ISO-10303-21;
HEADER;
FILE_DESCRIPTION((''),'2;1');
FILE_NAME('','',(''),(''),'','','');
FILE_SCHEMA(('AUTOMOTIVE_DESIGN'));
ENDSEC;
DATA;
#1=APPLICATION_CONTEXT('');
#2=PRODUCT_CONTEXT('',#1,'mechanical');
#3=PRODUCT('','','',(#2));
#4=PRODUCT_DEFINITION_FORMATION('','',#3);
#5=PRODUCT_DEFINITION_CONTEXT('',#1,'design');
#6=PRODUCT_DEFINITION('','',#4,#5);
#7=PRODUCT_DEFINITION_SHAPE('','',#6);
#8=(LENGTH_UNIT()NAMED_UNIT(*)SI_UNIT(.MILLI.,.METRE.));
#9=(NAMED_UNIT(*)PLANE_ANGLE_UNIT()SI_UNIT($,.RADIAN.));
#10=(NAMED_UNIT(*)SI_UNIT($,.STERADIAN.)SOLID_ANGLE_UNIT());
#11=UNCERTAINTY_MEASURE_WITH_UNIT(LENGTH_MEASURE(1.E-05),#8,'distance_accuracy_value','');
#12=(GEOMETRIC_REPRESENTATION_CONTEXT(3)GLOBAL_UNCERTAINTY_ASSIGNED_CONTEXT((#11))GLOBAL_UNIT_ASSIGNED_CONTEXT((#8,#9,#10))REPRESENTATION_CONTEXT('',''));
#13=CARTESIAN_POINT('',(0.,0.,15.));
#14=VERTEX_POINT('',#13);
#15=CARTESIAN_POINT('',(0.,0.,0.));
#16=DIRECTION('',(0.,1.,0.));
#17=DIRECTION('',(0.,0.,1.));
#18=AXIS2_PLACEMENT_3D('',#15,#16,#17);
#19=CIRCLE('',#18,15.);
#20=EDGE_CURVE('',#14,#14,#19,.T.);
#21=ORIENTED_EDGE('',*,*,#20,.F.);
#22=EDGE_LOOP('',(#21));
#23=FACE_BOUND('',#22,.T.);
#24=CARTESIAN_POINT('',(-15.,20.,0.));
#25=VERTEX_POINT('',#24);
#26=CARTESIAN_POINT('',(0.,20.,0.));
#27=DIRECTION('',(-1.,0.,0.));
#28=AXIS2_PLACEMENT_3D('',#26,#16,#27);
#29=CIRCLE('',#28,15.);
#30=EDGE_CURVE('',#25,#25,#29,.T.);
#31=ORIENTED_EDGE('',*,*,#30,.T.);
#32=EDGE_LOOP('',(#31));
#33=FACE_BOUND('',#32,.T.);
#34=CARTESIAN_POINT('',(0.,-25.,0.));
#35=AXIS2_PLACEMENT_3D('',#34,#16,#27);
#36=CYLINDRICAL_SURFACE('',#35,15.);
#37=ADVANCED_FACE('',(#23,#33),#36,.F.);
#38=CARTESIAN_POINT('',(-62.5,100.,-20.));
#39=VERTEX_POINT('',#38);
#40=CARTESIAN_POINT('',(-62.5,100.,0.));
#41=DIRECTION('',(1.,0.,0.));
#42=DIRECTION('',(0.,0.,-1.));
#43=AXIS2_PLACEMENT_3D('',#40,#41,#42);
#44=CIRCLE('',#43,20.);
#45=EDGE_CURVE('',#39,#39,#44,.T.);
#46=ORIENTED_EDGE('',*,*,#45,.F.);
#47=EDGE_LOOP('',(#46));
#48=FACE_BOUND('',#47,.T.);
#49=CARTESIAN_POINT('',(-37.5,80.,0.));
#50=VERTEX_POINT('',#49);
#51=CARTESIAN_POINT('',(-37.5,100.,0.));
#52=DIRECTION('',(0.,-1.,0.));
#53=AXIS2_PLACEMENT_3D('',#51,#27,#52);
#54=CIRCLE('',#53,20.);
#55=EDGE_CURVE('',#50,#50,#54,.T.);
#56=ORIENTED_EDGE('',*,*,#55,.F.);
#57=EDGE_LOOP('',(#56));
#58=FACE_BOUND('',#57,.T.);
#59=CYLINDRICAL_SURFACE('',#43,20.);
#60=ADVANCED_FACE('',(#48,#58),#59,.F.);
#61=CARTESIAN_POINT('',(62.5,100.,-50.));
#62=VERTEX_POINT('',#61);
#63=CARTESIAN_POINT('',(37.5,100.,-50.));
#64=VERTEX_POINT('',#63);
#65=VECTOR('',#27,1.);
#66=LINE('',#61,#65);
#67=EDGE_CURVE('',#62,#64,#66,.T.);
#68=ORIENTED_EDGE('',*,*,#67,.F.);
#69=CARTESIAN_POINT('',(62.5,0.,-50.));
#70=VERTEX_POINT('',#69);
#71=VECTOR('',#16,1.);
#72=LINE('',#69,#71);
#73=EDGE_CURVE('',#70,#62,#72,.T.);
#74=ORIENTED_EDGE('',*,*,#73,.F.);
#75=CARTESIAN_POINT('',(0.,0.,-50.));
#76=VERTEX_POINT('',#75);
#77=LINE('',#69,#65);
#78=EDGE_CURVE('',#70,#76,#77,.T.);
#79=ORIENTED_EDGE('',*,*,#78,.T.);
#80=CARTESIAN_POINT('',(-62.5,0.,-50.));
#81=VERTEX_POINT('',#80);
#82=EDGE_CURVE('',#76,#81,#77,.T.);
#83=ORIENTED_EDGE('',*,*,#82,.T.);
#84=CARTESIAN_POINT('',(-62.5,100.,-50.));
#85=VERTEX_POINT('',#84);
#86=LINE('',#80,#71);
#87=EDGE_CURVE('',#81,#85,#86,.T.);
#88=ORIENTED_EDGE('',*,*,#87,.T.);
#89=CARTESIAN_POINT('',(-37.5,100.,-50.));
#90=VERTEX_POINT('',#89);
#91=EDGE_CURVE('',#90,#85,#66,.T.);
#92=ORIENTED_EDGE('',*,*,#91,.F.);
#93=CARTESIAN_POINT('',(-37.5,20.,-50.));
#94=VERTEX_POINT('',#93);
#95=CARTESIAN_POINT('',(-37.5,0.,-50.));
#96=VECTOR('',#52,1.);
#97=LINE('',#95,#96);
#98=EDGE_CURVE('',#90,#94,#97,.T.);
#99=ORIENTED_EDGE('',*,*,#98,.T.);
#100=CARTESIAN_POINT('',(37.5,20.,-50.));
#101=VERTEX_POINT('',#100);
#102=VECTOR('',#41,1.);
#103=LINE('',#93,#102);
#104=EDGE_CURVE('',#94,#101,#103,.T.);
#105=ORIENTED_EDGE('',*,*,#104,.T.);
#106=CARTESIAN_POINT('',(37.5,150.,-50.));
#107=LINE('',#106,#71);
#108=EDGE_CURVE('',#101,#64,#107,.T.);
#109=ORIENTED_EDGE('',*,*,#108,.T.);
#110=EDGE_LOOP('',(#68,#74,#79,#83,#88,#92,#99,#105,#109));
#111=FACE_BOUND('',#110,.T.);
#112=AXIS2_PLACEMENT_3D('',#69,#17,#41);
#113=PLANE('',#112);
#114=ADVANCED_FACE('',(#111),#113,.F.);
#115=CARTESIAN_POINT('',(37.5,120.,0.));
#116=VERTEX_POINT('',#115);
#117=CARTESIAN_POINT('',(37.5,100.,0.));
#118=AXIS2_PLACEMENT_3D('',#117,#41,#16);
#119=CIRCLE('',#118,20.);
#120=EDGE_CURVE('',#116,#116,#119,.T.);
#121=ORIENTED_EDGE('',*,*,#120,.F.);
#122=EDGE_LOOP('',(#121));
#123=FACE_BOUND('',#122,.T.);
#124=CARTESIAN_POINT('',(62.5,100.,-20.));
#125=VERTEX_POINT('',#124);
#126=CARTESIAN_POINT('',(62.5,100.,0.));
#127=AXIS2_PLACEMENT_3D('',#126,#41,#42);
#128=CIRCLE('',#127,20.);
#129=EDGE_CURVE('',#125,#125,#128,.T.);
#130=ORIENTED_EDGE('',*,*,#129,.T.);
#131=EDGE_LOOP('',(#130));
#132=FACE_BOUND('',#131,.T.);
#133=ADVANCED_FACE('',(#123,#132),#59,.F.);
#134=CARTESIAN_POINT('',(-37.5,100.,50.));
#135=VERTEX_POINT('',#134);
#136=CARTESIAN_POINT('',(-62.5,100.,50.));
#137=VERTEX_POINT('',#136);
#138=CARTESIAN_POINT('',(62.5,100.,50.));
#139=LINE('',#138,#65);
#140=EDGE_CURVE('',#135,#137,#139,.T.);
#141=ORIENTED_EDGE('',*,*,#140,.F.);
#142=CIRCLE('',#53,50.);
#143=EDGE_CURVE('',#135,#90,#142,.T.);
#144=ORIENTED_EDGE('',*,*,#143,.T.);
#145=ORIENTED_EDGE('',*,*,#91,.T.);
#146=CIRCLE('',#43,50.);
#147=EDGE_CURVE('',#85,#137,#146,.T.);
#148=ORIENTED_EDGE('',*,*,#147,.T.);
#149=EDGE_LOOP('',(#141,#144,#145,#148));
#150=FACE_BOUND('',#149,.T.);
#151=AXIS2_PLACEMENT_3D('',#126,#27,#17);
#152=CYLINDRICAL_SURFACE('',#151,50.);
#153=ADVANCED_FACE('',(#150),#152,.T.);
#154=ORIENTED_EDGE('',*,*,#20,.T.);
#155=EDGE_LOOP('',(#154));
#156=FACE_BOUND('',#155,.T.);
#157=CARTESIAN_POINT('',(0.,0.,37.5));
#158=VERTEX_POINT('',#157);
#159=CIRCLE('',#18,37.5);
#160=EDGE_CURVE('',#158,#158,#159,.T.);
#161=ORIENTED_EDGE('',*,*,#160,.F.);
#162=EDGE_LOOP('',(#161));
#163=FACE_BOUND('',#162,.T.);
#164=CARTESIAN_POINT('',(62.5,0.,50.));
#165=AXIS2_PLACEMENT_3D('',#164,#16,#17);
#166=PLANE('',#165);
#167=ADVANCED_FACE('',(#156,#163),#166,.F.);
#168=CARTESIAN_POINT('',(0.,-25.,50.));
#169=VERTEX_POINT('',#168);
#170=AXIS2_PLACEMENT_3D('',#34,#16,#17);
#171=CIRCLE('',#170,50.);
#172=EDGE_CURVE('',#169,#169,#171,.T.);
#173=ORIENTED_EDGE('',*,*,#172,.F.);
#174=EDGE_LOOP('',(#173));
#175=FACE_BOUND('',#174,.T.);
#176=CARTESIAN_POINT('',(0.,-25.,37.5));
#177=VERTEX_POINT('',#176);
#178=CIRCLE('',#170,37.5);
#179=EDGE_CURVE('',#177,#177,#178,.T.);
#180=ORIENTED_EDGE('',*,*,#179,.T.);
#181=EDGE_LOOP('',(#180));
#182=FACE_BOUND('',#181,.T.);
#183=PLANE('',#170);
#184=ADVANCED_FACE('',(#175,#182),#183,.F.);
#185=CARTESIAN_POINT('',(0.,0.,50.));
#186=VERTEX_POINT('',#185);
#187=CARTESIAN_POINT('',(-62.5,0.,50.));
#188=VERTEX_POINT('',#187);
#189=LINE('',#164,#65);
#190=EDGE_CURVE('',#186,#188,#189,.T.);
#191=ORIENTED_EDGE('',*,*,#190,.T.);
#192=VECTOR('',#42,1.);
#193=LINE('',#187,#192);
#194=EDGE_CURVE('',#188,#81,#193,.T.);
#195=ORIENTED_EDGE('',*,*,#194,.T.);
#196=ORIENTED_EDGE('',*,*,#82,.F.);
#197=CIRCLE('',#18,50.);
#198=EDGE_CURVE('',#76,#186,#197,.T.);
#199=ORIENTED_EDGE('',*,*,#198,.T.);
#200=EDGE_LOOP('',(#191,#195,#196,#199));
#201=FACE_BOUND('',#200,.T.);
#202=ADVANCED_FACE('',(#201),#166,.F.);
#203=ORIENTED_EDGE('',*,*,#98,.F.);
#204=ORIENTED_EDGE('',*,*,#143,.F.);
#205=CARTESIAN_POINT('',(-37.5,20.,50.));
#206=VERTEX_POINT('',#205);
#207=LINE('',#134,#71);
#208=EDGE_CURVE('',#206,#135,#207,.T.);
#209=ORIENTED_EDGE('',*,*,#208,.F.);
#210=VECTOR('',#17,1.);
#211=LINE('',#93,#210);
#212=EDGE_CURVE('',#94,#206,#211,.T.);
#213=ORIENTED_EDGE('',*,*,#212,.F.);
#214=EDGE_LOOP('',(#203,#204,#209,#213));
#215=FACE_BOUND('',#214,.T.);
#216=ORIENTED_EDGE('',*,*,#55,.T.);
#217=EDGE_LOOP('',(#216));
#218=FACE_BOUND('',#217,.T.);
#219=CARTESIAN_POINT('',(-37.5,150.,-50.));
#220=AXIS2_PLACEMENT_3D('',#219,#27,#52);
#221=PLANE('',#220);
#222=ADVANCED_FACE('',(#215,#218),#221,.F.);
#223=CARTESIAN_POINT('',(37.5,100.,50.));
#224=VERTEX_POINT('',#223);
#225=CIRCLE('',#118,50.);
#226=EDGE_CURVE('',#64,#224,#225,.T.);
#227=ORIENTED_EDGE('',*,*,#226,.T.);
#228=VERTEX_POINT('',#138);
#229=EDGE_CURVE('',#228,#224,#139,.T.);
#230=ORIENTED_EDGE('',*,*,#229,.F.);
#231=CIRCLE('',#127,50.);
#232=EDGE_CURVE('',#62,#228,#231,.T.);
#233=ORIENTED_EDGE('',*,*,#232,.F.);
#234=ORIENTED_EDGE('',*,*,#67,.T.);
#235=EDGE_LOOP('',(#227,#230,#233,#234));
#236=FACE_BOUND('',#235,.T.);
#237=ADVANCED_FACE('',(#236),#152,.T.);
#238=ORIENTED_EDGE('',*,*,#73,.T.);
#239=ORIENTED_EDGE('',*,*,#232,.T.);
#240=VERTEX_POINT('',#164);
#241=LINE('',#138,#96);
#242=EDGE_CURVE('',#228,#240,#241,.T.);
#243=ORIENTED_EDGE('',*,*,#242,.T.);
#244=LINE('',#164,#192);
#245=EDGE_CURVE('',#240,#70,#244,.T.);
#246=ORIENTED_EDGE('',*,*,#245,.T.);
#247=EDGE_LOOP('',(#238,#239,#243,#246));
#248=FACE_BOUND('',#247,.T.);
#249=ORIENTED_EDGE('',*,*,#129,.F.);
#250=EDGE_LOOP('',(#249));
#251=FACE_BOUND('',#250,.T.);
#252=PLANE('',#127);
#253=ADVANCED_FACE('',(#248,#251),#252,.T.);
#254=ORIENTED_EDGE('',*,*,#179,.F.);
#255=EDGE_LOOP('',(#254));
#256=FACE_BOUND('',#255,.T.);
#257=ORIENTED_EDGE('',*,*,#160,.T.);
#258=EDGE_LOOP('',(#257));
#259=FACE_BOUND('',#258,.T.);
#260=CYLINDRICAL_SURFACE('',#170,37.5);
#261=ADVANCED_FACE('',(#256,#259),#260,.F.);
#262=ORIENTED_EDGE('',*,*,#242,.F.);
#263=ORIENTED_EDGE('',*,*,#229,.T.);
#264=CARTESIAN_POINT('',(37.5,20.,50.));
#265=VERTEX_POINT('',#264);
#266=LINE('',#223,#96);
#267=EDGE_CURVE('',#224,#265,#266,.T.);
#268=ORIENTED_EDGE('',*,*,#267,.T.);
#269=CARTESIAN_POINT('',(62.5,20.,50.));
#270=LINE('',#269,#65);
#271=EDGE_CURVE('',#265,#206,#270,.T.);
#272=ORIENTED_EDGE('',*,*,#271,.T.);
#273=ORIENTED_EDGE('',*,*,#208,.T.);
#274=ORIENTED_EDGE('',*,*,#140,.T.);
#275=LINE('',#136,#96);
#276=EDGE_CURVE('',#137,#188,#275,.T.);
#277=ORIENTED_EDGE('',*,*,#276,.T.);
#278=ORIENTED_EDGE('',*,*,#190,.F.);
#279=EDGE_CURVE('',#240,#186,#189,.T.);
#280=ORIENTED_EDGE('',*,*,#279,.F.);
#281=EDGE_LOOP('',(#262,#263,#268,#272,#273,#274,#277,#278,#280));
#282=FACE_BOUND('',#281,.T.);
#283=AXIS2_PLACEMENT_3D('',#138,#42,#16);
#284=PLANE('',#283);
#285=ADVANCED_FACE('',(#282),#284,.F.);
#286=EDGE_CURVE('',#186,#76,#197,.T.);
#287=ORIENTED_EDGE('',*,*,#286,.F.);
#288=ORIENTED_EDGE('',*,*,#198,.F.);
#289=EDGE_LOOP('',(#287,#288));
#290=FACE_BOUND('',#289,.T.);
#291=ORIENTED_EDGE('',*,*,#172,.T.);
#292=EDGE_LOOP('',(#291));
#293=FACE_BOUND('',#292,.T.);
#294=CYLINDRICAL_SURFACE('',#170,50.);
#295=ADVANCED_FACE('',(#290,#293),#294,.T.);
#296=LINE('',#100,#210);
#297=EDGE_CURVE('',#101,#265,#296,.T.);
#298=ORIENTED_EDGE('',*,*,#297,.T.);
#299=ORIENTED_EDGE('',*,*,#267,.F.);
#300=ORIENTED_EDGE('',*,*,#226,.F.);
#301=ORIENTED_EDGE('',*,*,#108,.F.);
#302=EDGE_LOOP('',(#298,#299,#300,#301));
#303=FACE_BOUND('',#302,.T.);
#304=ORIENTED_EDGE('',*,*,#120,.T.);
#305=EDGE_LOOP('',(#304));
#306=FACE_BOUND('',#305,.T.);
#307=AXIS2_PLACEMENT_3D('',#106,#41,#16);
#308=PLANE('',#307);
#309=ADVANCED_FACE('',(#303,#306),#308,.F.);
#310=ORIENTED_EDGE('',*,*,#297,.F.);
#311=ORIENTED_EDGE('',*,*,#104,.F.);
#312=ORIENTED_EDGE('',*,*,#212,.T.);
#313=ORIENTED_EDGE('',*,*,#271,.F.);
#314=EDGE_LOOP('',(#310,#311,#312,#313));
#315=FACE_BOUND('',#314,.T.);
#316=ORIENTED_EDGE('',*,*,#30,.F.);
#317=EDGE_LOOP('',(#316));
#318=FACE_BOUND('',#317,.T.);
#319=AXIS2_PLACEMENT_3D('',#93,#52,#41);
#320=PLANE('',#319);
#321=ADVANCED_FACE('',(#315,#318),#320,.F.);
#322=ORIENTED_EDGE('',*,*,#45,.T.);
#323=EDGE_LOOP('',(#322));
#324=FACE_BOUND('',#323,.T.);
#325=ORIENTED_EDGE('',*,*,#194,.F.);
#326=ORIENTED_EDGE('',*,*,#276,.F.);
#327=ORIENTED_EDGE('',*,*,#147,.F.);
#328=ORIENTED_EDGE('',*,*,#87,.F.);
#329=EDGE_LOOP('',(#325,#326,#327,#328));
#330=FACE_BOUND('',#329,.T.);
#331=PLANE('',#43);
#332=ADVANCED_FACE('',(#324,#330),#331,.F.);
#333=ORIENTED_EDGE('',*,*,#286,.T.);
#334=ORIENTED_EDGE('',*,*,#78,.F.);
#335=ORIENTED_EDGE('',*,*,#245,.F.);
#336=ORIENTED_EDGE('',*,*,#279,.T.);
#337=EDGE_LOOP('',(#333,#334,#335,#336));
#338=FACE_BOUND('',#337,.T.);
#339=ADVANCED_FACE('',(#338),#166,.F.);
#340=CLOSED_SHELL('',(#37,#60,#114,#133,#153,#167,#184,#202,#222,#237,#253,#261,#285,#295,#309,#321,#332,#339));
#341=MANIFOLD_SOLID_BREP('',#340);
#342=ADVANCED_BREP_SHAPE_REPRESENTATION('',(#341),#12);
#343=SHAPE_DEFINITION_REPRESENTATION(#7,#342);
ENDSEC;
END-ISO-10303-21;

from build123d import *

# Parameters (mm, degrees)
SKETCH1_R               = 50
SKETCH1_R_2             = 37.5
BOSS_EXTRUDE1_DEPTH     = 25
BOSS_EXTRUDE2_DEPTH     = 62.5
CUT_EXTRUDE1_DEPTH      = 191.804219031
CUT_EXTRUDE1_DEPTH_BACK = 191.804219031
SKETCH3_W               = 75
SKETCH3_H               = 130
SKETCH4_R               = 15
CUT_EXTRUDE2_DEPTH      = 153.663846408
SKETCH5_R               = 20
CUT_EXTRUDE3_DEPTH      = 202.556443707


with BuildPart() as part:
    # Sketch1 → Boss-Extrude1 (new body)
    with BuildSketch(Plane(origin=(0, 0, 0), x_dir=(1, 0, 0), z_dir=(0, 1, 0))):
        with Locations(Location((0, 0, 0), (0, 0, 270))):
            Circle(SKETCH1_R)
        with Locations(Location((0, 0, 0), (0, 0, 270))):
            Circle(SKETCH1_R_2, mode=Mode.SUBTRACT)
    extrude(amount=-BOSS_EXTRUDE1_DEPTH)

    # Sketch2 → Boss-Extrude2 (add, symmetric)
    with BuildSketch(Plane(origin=(0, 0, 0), x_dir=(0, 0, -1), z_dir=(1, 0, 0))):
        with BuildLine():
            Line((-50, 0), (50, 0))
            Line((50, 0), (50, 100))
            ThreePointArc((50, 100), (0, 150), (-50, 100))
            Line((-50, 100), (-50, 0))
        make_face()
    extrude(amount=BOSS_EXTRUDE2_DEPTH, both=True)

    # Sketch3 → Cut-Extrude1 (cut, two sides: drawn at the far end of the back side and taken through both)
    with BuildSketch(Plane.XY.offset(50).offset(-CUT_EXTRUDE1_DEPTH_BACK)):
        with Locations((0, 85)):
            Rectangle(SKETCH3_W, SKETCH3_H)
    extrude(amount=CUT_EXTRUDE1_DEPTH + CUT_EXTRUDE1_DEPTH_BACK, mode=Mode.SUBTRACT)

    # Sketch4 → Cut-Extrude2 (cut, through all)
    with BuildSketch(Plane(origin=(0, 20, 0), x_dir=(1, 0, 0), z_dir=(0, 1, 0))):
        with Locations(Location((0, 0, 0), (0, 0, 180))):
            Circle(SKETCH4_R)
    extrude(amount=-CUT_EXTRUDE2_DEPTH, mode=Mode.SUBTRACT)

    # Sketch5 → Cut-Extrude3 (cut, through all)
    with BuildSketch(Plane(origin=(62.5, 0, 0), x_dir=(0, 0, -1), z_dir=(1, 0, 0))):
        with Locations((0, 100)):
            Circle(SKETCH5_R)
    extrude(amount=-CUT_EXTRUDE3_DEPTH, mode=Mode.SUBTRACT)


solid = part.part
